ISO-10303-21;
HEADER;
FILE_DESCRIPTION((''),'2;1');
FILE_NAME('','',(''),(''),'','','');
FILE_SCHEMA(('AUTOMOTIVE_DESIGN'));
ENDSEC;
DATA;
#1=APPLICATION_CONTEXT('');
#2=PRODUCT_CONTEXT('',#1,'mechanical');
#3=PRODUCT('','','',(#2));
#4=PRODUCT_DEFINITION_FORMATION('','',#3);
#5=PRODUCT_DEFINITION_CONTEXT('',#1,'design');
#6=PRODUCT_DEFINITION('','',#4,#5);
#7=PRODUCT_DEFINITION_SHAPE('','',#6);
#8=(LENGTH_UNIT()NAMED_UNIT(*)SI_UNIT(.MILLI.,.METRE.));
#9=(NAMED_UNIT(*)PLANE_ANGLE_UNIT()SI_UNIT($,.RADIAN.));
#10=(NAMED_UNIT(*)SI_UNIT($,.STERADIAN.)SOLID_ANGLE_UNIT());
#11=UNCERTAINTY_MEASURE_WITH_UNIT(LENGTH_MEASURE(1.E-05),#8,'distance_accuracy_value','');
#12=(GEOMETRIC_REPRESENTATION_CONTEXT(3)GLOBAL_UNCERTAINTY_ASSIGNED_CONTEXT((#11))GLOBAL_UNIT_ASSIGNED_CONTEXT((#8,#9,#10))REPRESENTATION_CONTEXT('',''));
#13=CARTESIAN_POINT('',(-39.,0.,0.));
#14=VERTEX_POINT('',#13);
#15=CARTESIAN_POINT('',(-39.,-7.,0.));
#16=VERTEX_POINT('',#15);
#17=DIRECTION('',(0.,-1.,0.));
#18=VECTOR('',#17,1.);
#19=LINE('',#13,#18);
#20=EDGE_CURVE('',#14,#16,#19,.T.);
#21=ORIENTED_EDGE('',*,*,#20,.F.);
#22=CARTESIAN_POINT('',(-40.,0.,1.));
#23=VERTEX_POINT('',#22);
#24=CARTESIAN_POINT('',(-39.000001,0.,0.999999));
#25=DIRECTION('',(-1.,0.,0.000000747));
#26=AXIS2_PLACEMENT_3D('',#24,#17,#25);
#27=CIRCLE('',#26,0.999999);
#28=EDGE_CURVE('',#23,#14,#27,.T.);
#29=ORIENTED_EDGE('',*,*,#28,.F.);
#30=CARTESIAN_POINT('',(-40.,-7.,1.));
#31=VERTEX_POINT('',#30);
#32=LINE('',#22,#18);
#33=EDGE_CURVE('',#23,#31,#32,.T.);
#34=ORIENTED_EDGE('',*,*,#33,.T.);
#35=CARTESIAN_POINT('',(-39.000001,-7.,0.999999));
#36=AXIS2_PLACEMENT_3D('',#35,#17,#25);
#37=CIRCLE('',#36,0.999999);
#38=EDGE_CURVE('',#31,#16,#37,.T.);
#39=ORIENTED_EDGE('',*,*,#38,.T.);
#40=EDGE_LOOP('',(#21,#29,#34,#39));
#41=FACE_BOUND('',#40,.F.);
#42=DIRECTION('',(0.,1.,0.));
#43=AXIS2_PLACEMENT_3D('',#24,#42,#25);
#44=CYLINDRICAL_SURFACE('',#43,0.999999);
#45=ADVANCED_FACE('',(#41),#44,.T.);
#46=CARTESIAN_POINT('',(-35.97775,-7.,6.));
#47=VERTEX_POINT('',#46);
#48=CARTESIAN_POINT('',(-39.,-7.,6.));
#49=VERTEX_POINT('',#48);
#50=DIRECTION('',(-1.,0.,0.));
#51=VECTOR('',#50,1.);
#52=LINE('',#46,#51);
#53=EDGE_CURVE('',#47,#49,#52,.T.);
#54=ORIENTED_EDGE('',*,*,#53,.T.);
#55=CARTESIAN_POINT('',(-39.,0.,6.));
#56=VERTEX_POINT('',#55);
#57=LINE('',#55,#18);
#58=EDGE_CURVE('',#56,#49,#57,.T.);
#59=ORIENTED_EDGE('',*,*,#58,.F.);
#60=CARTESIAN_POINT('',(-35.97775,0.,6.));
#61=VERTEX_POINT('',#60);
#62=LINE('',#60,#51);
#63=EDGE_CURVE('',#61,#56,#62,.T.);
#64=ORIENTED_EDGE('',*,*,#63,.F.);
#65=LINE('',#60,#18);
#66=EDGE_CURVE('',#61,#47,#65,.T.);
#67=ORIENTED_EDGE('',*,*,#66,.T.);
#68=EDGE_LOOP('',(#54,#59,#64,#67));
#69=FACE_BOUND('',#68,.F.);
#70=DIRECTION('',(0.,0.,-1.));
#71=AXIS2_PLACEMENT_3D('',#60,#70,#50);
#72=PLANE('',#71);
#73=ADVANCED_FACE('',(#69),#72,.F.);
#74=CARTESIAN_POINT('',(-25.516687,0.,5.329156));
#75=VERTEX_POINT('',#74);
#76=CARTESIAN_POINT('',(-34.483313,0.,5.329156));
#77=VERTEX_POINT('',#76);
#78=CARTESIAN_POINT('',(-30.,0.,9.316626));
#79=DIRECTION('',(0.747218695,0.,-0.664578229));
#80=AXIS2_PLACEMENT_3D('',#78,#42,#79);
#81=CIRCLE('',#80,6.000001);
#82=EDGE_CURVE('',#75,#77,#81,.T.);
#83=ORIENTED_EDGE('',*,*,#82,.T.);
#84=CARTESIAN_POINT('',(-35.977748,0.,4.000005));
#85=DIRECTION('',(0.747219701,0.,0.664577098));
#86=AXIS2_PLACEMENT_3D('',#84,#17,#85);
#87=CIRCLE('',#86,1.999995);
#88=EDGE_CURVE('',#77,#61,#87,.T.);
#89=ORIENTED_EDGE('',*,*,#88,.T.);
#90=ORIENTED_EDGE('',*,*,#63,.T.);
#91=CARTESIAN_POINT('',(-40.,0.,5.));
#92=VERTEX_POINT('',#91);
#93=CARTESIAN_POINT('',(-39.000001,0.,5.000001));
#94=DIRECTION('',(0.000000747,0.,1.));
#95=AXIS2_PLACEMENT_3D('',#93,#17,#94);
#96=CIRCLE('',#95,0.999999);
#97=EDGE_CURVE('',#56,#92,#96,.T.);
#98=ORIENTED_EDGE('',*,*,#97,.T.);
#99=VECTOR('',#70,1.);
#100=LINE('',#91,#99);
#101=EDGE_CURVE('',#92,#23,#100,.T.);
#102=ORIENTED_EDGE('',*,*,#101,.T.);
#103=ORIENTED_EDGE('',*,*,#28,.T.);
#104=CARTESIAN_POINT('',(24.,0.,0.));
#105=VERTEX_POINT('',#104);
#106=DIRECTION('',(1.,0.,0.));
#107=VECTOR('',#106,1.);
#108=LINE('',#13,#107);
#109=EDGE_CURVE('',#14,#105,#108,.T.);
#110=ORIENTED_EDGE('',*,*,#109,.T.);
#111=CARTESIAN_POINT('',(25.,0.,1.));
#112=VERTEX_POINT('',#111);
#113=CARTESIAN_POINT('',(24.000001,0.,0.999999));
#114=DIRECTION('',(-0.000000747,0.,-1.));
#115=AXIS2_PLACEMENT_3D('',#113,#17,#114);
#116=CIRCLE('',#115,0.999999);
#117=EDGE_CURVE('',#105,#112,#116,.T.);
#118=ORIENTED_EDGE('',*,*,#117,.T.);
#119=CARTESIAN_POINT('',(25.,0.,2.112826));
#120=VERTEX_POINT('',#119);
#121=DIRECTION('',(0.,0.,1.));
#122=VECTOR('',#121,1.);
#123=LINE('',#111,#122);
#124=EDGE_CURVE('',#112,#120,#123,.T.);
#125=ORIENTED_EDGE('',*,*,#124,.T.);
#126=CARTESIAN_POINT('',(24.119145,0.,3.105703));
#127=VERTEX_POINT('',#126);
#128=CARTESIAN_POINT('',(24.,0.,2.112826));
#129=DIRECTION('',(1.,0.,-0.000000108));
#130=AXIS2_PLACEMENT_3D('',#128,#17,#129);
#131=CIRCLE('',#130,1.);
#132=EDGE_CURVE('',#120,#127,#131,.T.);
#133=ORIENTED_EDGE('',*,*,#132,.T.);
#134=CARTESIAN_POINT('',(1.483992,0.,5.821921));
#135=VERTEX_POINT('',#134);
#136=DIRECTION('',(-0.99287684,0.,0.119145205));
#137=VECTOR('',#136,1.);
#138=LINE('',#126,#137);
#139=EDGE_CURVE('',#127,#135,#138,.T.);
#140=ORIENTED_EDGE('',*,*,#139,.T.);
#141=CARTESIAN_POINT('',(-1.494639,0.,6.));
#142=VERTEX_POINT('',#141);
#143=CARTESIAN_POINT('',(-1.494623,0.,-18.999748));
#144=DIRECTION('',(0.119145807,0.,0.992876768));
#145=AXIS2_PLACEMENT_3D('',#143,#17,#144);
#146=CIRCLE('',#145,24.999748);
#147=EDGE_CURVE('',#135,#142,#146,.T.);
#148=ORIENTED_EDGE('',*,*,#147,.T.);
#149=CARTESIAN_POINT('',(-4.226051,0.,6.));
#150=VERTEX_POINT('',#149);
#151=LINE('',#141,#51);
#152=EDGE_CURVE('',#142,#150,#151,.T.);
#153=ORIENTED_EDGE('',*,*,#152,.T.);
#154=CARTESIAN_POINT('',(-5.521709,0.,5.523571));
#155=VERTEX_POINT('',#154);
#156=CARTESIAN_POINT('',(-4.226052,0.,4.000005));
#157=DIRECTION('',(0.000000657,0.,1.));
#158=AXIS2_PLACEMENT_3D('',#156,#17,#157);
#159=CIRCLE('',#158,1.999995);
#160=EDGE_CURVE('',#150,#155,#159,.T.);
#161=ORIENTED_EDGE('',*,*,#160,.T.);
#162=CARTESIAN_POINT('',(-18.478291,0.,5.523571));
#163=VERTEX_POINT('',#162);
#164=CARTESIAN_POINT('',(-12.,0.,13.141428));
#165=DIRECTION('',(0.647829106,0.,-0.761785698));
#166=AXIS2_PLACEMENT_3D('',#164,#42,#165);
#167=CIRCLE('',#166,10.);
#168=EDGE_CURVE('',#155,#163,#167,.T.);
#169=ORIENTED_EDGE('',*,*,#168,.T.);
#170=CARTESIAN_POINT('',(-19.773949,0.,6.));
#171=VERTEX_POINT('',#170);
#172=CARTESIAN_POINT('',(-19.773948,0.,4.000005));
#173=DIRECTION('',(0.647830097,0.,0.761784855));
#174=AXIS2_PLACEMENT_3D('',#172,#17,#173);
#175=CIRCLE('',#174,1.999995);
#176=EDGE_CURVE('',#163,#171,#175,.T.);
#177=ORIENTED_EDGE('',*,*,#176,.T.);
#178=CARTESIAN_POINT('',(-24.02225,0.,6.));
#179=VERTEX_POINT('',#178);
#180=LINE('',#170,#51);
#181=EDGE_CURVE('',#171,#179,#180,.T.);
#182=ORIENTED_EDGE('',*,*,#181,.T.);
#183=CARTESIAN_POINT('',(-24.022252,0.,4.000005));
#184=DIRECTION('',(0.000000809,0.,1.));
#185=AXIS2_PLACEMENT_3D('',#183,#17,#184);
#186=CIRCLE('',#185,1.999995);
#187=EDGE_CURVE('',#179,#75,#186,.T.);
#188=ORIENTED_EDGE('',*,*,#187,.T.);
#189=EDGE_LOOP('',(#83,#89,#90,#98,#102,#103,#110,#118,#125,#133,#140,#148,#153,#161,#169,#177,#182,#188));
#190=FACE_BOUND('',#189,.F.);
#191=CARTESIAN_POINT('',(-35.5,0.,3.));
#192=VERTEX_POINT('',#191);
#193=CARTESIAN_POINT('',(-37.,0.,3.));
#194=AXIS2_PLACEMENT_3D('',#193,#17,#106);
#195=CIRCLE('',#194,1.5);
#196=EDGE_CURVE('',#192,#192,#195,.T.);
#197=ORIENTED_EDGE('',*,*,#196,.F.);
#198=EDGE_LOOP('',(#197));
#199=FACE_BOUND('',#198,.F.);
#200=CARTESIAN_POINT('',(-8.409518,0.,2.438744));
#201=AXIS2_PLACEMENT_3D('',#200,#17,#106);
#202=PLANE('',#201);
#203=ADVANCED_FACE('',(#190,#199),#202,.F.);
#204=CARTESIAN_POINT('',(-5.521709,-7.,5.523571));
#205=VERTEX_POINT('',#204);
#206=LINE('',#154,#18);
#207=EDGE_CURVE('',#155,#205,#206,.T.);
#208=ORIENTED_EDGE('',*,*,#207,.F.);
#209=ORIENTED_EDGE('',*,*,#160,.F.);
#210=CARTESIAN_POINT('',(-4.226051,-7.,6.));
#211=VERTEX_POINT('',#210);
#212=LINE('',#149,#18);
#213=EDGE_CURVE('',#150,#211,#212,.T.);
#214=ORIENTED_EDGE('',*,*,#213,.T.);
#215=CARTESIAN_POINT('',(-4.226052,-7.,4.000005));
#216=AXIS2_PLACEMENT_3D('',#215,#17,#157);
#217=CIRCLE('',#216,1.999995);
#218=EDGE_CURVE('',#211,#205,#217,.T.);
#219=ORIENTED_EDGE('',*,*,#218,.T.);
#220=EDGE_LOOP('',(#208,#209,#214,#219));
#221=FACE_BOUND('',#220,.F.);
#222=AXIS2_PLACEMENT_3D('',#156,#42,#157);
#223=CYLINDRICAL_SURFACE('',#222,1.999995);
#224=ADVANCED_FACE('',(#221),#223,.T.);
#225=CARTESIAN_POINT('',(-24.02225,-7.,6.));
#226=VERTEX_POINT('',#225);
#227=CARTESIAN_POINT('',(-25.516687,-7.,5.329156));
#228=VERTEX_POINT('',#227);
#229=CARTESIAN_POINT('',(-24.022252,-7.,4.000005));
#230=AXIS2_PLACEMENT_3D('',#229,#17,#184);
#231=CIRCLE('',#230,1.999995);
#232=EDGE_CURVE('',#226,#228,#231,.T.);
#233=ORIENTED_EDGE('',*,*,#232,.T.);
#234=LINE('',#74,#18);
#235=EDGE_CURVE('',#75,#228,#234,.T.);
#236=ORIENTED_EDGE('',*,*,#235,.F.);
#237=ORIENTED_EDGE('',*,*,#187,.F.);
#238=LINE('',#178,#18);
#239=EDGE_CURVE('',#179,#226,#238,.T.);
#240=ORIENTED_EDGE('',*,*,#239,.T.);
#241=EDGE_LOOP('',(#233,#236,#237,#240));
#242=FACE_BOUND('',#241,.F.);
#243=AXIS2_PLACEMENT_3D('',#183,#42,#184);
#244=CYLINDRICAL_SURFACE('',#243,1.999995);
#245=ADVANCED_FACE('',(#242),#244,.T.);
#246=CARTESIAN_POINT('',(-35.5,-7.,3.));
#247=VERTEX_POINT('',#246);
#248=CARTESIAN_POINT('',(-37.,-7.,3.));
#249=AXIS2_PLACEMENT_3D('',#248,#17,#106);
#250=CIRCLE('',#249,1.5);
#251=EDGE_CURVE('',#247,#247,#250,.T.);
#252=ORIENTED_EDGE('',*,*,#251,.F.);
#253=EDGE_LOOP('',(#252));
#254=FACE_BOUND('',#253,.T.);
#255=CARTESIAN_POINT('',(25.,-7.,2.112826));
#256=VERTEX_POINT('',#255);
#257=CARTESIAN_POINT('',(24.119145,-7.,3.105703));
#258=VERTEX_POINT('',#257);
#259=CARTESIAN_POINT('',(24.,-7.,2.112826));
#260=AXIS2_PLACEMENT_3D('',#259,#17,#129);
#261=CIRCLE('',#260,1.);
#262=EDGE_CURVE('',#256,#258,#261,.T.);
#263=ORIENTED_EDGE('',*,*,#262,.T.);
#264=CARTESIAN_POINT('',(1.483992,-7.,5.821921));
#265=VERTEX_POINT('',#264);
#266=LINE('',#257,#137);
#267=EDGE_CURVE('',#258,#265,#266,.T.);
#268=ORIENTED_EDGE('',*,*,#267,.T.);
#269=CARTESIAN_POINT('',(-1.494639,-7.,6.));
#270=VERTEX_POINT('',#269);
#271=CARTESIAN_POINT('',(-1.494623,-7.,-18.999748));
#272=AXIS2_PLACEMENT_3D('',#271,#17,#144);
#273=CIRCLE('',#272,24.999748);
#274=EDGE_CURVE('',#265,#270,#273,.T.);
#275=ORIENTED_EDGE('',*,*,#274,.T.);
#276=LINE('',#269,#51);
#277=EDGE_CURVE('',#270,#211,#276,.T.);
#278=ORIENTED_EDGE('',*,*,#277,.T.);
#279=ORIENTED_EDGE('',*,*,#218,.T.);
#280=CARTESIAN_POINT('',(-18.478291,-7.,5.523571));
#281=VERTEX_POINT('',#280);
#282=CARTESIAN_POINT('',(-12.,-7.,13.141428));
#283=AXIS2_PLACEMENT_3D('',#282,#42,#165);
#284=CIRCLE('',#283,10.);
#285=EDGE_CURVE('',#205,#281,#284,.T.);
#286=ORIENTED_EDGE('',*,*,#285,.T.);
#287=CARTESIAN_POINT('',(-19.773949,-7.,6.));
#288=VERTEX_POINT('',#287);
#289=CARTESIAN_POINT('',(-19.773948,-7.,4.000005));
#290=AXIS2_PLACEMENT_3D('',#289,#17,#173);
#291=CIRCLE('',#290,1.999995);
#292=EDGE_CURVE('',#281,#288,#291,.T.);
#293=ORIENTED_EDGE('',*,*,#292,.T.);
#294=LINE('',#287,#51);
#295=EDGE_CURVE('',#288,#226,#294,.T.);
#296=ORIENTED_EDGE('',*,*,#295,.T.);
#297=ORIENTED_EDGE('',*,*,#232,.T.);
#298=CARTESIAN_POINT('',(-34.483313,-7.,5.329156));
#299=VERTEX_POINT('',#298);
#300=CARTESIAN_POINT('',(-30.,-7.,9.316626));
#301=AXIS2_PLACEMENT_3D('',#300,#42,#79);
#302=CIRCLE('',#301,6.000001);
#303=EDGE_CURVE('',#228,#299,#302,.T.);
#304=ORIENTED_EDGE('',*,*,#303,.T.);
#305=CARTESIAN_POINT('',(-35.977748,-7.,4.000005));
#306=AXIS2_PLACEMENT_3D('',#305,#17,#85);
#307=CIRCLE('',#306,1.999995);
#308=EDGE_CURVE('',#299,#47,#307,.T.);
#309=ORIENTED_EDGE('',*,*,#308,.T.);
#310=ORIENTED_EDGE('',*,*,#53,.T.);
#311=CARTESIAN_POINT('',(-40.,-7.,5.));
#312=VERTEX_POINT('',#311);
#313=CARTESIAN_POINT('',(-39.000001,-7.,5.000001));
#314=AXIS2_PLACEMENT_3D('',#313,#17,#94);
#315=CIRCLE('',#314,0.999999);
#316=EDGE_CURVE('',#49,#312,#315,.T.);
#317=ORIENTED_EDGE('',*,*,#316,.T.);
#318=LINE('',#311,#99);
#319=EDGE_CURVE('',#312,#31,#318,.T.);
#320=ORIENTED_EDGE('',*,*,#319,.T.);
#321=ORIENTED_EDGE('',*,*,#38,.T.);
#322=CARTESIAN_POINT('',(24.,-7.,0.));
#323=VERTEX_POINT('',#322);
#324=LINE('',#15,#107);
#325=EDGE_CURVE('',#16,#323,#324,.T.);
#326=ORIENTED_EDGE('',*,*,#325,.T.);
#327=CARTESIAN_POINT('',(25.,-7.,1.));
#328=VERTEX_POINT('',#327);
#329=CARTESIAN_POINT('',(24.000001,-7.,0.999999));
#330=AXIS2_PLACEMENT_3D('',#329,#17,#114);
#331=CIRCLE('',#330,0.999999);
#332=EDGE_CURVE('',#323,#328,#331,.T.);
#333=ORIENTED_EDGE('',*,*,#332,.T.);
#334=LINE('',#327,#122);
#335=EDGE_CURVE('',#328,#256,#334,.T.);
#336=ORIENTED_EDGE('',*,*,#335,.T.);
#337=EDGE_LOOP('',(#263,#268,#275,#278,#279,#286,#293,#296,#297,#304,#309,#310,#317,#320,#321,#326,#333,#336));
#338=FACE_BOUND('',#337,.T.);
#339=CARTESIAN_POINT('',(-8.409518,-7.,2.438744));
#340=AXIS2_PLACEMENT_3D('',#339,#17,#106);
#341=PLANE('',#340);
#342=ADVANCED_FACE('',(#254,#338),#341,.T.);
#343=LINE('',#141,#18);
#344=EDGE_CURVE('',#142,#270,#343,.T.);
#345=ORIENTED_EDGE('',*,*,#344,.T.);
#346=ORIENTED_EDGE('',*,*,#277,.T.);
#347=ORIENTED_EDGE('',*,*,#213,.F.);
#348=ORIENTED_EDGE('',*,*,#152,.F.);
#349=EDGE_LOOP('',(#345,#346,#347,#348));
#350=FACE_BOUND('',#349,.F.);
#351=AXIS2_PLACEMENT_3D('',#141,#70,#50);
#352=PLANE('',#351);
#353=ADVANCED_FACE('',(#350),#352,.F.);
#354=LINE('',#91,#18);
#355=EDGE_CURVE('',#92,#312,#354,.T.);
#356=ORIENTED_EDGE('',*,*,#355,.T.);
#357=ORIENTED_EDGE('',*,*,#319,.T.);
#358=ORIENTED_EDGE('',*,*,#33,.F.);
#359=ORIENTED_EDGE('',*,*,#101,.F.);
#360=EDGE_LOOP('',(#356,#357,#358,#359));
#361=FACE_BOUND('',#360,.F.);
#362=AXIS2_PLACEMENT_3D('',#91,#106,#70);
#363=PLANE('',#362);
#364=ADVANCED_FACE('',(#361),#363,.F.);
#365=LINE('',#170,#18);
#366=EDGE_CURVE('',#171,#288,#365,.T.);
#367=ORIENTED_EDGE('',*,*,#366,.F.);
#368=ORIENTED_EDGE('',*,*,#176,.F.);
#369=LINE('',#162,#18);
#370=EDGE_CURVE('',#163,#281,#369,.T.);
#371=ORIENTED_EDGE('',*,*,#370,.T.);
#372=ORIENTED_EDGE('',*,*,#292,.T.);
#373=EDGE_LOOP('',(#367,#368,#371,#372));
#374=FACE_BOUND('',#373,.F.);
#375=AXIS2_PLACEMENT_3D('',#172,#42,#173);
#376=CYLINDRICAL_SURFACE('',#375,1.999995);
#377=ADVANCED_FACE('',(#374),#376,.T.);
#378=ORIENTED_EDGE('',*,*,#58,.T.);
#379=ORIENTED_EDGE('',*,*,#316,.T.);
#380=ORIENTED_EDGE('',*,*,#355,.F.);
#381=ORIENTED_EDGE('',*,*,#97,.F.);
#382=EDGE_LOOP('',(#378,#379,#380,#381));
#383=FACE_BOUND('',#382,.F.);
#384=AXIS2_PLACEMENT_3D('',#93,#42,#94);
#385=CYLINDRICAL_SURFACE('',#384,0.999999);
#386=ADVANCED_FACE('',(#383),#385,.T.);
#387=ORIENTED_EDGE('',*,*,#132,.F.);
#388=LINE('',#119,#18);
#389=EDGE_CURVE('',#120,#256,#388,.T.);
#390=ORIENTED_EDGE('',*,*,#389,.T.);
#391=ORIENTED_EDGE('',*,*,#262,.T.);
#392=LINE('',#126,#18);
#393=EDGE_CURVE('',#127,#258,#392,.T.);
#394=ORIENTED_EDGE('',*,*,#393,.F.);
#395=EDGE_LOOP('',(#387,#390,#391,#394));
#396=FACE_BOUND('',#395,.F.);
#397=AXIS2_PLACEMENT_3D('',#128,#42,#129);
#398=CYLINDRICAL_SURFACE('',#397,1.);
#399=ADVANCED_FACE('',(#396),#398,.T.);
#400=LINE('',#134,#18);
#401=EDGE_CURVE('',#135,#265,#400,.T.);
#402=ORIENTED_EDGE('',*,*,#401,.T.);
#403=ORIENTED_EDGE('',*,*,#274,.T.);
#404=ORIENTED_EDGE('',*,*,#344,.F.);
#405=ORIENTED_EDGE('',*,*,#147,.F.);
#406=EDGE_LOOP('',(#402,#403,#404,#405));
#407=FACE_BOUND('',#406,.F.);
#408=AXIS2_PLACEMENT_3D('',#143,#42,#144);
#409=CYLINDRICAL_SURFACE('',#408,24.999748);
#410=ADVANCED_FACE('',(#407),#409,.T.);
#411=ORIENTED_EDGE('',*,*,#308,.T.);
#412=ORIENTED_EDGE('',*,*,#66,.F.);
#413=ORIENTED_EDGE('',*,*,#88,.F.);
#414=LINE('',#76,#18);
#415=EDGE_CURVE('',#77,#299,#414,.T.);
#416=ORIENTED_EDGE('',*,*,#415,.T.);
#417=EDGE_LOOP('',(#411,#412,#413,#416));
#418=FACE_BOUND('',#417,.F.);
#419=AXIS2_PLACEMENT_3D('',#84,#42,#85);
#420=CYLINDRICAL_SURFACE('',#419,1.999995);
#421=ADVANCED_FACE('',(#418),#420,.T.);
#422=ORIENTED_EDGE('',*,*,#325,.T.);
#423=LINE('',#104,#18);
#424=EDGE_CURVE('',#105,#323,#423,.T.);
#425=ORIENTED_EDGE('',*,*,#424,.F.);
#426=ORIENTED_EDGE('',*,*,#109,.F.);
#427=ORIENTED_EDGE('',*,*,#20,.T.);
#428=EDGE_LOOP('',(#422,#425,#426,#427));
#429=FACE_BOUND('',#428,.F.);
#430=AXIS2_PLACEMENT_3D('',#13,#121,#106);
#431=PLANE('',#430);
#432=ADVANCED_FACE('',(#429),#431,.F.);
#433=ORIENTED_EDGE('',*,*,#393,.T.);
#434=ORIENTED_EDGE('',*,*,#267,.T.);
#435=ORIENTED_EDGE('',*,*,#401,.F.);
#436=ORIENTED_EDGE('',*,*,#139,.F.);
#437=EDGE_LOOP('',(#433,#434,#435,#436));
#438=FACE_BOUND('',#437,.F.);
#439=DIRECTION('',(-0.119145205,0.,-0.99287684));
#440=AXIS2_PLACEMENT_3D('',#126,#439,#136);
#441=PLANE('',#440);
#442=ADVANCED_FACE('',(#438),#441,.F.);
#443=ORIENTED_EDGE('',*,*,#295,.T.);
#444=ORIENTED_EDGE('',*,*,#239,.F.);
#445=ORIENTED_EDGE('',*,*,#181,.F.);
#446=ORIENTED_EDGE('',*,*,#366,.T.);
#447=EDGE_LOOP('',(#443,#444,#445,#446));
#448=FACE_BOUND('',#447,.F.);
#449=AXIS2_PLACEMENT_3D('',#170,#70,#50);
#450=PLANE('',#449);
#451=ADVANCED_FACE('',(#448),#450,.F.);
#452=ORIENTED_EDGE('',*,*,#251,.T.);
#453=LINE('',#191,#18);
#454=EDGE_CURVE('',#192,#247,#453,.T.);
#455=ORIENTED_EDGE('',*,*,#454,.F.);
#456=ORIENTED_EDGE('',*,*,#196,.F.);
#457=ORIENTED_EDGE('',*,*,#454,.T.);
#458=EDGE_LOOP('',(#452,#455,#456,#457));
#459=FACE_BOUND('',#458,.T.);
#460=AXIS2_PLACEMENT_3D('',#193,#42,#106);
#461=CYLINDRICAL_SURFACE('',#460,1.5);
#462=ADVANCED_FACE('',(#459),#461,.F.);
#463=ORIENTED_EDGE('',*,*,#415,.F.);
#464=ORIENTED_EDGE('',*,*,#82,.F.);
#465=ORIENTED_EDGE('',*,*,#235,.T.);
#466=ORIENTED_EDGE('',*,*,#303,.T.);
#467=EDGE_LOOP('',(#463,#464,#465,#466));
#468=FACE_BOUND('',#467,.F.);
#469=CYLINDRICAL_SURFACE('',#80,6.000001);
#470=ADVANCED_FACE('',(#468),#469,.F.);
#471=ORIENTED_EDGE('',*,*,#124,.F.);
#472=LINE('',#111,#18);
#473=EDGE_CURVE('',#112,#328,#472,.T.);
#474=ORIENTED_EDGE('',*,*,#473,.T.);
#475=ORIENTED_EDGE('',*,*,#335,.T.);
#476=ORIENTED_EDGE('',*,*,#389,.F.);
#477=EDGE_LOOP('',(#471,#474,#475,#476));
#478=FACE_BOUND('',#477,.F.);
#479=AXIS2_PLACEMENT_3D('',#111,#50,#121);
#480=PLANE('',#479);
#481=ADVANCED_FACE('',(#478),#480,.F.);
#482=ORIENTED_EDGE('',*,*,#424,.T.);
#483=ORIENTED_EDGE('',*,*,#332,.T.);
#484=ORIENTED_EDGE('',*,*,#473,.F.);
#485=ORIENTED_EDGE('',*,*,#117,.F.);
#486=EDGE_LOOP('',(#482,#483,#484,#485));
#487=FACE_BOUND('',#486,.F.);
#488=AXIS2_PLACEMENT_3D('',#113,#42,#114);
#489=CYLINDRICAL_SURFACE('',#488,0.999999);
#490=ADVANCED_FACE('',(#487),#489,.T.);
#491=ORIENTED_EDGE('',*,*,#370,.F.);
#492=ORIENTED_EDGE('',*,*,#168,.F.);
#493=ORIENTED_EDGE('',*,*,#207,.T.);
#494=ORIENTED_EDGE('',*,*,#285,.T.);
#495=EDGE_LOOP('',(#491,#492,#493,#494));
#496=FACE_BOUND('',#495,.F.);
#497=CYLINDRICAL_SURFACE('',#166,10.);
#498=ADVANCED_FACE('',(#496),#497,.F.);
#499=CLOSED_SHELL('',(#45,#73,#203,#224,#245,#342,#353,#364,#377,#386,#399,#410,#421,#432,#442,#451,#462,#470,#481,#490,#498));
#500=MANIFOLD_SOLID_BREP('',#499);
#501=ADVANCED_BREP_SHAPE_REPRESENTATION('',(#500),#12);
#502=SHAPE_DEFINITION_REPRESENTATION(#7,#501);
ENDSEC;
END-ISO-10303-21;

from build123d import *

# Parameters (mm, degrees)
F0_R     = 1.5
F1_DEPTH = 7


with BuildPart() as f1:
    # F0 (on Front) → F1 (new body)
    with BuildSketch(Plane.XZ):
        with BuildLine():
            Line((-39, 0), (0, 0))
            Line((0, 0), (24, 0))
            ThreePointArc((24, 0), (24.707107, 0.292893), (25, 1))
            Line((25, 1), (25, 2.112826))
            ThreePointArc((25, 2.112826), (24.748046, 2.776473), (24.119145, 3.105703))
            Line((24.119145, 3.105703), (1.483992, 5.821921))
            ThreePointArc((1.483992, 5.821921), (-0.002664, 5.955441), (-1.494639, 6))
            Line((-1.494639, 6), (-4.226051, 6))
            ThreePointArc((-4.226051, 6), (-4.916289, 5.877118), (-5.521709, 5.523571))
            ThreePointArc((-5.521709, 5.523571), (-12, 3.141428), (-18.478291, 5.523571))
            ThreePointArc((-18.478291, 5.523571), (-19.083711, 5.877118), (-19.773949, 6))
            Line((-19.773949, 6), (-24.02225, 6))
            ThreePointArc((-24.02225, 6), (-24.8413, 5.824598), (-25.516687, 5.329156))
            ThreePointArc((-25.516687, 5.329156), (-30, 3.316625), (-34.483313, 5.329156))
            ThreePointArc((-34.483313, 5.329156), (-35.1587, 5.824598), (-35.97775, 6))
            Line((-35.97775, 6), (-39, 6))
            ThreePointArc((-39, 6), (-39.707107, 5.707107), (-40, 5))
            Line((-40, 5), (-40, 1))
            ThreePointArc((-40, 1), (-39.707107, 0.292893), (-39, 0))
        make_face()
        with Locations((-37, 3)):
            Circle(F0_R, mode=Mode.SUBTRACT)
    extrude(amount=F1_DEPTH)


solid = f1.part
